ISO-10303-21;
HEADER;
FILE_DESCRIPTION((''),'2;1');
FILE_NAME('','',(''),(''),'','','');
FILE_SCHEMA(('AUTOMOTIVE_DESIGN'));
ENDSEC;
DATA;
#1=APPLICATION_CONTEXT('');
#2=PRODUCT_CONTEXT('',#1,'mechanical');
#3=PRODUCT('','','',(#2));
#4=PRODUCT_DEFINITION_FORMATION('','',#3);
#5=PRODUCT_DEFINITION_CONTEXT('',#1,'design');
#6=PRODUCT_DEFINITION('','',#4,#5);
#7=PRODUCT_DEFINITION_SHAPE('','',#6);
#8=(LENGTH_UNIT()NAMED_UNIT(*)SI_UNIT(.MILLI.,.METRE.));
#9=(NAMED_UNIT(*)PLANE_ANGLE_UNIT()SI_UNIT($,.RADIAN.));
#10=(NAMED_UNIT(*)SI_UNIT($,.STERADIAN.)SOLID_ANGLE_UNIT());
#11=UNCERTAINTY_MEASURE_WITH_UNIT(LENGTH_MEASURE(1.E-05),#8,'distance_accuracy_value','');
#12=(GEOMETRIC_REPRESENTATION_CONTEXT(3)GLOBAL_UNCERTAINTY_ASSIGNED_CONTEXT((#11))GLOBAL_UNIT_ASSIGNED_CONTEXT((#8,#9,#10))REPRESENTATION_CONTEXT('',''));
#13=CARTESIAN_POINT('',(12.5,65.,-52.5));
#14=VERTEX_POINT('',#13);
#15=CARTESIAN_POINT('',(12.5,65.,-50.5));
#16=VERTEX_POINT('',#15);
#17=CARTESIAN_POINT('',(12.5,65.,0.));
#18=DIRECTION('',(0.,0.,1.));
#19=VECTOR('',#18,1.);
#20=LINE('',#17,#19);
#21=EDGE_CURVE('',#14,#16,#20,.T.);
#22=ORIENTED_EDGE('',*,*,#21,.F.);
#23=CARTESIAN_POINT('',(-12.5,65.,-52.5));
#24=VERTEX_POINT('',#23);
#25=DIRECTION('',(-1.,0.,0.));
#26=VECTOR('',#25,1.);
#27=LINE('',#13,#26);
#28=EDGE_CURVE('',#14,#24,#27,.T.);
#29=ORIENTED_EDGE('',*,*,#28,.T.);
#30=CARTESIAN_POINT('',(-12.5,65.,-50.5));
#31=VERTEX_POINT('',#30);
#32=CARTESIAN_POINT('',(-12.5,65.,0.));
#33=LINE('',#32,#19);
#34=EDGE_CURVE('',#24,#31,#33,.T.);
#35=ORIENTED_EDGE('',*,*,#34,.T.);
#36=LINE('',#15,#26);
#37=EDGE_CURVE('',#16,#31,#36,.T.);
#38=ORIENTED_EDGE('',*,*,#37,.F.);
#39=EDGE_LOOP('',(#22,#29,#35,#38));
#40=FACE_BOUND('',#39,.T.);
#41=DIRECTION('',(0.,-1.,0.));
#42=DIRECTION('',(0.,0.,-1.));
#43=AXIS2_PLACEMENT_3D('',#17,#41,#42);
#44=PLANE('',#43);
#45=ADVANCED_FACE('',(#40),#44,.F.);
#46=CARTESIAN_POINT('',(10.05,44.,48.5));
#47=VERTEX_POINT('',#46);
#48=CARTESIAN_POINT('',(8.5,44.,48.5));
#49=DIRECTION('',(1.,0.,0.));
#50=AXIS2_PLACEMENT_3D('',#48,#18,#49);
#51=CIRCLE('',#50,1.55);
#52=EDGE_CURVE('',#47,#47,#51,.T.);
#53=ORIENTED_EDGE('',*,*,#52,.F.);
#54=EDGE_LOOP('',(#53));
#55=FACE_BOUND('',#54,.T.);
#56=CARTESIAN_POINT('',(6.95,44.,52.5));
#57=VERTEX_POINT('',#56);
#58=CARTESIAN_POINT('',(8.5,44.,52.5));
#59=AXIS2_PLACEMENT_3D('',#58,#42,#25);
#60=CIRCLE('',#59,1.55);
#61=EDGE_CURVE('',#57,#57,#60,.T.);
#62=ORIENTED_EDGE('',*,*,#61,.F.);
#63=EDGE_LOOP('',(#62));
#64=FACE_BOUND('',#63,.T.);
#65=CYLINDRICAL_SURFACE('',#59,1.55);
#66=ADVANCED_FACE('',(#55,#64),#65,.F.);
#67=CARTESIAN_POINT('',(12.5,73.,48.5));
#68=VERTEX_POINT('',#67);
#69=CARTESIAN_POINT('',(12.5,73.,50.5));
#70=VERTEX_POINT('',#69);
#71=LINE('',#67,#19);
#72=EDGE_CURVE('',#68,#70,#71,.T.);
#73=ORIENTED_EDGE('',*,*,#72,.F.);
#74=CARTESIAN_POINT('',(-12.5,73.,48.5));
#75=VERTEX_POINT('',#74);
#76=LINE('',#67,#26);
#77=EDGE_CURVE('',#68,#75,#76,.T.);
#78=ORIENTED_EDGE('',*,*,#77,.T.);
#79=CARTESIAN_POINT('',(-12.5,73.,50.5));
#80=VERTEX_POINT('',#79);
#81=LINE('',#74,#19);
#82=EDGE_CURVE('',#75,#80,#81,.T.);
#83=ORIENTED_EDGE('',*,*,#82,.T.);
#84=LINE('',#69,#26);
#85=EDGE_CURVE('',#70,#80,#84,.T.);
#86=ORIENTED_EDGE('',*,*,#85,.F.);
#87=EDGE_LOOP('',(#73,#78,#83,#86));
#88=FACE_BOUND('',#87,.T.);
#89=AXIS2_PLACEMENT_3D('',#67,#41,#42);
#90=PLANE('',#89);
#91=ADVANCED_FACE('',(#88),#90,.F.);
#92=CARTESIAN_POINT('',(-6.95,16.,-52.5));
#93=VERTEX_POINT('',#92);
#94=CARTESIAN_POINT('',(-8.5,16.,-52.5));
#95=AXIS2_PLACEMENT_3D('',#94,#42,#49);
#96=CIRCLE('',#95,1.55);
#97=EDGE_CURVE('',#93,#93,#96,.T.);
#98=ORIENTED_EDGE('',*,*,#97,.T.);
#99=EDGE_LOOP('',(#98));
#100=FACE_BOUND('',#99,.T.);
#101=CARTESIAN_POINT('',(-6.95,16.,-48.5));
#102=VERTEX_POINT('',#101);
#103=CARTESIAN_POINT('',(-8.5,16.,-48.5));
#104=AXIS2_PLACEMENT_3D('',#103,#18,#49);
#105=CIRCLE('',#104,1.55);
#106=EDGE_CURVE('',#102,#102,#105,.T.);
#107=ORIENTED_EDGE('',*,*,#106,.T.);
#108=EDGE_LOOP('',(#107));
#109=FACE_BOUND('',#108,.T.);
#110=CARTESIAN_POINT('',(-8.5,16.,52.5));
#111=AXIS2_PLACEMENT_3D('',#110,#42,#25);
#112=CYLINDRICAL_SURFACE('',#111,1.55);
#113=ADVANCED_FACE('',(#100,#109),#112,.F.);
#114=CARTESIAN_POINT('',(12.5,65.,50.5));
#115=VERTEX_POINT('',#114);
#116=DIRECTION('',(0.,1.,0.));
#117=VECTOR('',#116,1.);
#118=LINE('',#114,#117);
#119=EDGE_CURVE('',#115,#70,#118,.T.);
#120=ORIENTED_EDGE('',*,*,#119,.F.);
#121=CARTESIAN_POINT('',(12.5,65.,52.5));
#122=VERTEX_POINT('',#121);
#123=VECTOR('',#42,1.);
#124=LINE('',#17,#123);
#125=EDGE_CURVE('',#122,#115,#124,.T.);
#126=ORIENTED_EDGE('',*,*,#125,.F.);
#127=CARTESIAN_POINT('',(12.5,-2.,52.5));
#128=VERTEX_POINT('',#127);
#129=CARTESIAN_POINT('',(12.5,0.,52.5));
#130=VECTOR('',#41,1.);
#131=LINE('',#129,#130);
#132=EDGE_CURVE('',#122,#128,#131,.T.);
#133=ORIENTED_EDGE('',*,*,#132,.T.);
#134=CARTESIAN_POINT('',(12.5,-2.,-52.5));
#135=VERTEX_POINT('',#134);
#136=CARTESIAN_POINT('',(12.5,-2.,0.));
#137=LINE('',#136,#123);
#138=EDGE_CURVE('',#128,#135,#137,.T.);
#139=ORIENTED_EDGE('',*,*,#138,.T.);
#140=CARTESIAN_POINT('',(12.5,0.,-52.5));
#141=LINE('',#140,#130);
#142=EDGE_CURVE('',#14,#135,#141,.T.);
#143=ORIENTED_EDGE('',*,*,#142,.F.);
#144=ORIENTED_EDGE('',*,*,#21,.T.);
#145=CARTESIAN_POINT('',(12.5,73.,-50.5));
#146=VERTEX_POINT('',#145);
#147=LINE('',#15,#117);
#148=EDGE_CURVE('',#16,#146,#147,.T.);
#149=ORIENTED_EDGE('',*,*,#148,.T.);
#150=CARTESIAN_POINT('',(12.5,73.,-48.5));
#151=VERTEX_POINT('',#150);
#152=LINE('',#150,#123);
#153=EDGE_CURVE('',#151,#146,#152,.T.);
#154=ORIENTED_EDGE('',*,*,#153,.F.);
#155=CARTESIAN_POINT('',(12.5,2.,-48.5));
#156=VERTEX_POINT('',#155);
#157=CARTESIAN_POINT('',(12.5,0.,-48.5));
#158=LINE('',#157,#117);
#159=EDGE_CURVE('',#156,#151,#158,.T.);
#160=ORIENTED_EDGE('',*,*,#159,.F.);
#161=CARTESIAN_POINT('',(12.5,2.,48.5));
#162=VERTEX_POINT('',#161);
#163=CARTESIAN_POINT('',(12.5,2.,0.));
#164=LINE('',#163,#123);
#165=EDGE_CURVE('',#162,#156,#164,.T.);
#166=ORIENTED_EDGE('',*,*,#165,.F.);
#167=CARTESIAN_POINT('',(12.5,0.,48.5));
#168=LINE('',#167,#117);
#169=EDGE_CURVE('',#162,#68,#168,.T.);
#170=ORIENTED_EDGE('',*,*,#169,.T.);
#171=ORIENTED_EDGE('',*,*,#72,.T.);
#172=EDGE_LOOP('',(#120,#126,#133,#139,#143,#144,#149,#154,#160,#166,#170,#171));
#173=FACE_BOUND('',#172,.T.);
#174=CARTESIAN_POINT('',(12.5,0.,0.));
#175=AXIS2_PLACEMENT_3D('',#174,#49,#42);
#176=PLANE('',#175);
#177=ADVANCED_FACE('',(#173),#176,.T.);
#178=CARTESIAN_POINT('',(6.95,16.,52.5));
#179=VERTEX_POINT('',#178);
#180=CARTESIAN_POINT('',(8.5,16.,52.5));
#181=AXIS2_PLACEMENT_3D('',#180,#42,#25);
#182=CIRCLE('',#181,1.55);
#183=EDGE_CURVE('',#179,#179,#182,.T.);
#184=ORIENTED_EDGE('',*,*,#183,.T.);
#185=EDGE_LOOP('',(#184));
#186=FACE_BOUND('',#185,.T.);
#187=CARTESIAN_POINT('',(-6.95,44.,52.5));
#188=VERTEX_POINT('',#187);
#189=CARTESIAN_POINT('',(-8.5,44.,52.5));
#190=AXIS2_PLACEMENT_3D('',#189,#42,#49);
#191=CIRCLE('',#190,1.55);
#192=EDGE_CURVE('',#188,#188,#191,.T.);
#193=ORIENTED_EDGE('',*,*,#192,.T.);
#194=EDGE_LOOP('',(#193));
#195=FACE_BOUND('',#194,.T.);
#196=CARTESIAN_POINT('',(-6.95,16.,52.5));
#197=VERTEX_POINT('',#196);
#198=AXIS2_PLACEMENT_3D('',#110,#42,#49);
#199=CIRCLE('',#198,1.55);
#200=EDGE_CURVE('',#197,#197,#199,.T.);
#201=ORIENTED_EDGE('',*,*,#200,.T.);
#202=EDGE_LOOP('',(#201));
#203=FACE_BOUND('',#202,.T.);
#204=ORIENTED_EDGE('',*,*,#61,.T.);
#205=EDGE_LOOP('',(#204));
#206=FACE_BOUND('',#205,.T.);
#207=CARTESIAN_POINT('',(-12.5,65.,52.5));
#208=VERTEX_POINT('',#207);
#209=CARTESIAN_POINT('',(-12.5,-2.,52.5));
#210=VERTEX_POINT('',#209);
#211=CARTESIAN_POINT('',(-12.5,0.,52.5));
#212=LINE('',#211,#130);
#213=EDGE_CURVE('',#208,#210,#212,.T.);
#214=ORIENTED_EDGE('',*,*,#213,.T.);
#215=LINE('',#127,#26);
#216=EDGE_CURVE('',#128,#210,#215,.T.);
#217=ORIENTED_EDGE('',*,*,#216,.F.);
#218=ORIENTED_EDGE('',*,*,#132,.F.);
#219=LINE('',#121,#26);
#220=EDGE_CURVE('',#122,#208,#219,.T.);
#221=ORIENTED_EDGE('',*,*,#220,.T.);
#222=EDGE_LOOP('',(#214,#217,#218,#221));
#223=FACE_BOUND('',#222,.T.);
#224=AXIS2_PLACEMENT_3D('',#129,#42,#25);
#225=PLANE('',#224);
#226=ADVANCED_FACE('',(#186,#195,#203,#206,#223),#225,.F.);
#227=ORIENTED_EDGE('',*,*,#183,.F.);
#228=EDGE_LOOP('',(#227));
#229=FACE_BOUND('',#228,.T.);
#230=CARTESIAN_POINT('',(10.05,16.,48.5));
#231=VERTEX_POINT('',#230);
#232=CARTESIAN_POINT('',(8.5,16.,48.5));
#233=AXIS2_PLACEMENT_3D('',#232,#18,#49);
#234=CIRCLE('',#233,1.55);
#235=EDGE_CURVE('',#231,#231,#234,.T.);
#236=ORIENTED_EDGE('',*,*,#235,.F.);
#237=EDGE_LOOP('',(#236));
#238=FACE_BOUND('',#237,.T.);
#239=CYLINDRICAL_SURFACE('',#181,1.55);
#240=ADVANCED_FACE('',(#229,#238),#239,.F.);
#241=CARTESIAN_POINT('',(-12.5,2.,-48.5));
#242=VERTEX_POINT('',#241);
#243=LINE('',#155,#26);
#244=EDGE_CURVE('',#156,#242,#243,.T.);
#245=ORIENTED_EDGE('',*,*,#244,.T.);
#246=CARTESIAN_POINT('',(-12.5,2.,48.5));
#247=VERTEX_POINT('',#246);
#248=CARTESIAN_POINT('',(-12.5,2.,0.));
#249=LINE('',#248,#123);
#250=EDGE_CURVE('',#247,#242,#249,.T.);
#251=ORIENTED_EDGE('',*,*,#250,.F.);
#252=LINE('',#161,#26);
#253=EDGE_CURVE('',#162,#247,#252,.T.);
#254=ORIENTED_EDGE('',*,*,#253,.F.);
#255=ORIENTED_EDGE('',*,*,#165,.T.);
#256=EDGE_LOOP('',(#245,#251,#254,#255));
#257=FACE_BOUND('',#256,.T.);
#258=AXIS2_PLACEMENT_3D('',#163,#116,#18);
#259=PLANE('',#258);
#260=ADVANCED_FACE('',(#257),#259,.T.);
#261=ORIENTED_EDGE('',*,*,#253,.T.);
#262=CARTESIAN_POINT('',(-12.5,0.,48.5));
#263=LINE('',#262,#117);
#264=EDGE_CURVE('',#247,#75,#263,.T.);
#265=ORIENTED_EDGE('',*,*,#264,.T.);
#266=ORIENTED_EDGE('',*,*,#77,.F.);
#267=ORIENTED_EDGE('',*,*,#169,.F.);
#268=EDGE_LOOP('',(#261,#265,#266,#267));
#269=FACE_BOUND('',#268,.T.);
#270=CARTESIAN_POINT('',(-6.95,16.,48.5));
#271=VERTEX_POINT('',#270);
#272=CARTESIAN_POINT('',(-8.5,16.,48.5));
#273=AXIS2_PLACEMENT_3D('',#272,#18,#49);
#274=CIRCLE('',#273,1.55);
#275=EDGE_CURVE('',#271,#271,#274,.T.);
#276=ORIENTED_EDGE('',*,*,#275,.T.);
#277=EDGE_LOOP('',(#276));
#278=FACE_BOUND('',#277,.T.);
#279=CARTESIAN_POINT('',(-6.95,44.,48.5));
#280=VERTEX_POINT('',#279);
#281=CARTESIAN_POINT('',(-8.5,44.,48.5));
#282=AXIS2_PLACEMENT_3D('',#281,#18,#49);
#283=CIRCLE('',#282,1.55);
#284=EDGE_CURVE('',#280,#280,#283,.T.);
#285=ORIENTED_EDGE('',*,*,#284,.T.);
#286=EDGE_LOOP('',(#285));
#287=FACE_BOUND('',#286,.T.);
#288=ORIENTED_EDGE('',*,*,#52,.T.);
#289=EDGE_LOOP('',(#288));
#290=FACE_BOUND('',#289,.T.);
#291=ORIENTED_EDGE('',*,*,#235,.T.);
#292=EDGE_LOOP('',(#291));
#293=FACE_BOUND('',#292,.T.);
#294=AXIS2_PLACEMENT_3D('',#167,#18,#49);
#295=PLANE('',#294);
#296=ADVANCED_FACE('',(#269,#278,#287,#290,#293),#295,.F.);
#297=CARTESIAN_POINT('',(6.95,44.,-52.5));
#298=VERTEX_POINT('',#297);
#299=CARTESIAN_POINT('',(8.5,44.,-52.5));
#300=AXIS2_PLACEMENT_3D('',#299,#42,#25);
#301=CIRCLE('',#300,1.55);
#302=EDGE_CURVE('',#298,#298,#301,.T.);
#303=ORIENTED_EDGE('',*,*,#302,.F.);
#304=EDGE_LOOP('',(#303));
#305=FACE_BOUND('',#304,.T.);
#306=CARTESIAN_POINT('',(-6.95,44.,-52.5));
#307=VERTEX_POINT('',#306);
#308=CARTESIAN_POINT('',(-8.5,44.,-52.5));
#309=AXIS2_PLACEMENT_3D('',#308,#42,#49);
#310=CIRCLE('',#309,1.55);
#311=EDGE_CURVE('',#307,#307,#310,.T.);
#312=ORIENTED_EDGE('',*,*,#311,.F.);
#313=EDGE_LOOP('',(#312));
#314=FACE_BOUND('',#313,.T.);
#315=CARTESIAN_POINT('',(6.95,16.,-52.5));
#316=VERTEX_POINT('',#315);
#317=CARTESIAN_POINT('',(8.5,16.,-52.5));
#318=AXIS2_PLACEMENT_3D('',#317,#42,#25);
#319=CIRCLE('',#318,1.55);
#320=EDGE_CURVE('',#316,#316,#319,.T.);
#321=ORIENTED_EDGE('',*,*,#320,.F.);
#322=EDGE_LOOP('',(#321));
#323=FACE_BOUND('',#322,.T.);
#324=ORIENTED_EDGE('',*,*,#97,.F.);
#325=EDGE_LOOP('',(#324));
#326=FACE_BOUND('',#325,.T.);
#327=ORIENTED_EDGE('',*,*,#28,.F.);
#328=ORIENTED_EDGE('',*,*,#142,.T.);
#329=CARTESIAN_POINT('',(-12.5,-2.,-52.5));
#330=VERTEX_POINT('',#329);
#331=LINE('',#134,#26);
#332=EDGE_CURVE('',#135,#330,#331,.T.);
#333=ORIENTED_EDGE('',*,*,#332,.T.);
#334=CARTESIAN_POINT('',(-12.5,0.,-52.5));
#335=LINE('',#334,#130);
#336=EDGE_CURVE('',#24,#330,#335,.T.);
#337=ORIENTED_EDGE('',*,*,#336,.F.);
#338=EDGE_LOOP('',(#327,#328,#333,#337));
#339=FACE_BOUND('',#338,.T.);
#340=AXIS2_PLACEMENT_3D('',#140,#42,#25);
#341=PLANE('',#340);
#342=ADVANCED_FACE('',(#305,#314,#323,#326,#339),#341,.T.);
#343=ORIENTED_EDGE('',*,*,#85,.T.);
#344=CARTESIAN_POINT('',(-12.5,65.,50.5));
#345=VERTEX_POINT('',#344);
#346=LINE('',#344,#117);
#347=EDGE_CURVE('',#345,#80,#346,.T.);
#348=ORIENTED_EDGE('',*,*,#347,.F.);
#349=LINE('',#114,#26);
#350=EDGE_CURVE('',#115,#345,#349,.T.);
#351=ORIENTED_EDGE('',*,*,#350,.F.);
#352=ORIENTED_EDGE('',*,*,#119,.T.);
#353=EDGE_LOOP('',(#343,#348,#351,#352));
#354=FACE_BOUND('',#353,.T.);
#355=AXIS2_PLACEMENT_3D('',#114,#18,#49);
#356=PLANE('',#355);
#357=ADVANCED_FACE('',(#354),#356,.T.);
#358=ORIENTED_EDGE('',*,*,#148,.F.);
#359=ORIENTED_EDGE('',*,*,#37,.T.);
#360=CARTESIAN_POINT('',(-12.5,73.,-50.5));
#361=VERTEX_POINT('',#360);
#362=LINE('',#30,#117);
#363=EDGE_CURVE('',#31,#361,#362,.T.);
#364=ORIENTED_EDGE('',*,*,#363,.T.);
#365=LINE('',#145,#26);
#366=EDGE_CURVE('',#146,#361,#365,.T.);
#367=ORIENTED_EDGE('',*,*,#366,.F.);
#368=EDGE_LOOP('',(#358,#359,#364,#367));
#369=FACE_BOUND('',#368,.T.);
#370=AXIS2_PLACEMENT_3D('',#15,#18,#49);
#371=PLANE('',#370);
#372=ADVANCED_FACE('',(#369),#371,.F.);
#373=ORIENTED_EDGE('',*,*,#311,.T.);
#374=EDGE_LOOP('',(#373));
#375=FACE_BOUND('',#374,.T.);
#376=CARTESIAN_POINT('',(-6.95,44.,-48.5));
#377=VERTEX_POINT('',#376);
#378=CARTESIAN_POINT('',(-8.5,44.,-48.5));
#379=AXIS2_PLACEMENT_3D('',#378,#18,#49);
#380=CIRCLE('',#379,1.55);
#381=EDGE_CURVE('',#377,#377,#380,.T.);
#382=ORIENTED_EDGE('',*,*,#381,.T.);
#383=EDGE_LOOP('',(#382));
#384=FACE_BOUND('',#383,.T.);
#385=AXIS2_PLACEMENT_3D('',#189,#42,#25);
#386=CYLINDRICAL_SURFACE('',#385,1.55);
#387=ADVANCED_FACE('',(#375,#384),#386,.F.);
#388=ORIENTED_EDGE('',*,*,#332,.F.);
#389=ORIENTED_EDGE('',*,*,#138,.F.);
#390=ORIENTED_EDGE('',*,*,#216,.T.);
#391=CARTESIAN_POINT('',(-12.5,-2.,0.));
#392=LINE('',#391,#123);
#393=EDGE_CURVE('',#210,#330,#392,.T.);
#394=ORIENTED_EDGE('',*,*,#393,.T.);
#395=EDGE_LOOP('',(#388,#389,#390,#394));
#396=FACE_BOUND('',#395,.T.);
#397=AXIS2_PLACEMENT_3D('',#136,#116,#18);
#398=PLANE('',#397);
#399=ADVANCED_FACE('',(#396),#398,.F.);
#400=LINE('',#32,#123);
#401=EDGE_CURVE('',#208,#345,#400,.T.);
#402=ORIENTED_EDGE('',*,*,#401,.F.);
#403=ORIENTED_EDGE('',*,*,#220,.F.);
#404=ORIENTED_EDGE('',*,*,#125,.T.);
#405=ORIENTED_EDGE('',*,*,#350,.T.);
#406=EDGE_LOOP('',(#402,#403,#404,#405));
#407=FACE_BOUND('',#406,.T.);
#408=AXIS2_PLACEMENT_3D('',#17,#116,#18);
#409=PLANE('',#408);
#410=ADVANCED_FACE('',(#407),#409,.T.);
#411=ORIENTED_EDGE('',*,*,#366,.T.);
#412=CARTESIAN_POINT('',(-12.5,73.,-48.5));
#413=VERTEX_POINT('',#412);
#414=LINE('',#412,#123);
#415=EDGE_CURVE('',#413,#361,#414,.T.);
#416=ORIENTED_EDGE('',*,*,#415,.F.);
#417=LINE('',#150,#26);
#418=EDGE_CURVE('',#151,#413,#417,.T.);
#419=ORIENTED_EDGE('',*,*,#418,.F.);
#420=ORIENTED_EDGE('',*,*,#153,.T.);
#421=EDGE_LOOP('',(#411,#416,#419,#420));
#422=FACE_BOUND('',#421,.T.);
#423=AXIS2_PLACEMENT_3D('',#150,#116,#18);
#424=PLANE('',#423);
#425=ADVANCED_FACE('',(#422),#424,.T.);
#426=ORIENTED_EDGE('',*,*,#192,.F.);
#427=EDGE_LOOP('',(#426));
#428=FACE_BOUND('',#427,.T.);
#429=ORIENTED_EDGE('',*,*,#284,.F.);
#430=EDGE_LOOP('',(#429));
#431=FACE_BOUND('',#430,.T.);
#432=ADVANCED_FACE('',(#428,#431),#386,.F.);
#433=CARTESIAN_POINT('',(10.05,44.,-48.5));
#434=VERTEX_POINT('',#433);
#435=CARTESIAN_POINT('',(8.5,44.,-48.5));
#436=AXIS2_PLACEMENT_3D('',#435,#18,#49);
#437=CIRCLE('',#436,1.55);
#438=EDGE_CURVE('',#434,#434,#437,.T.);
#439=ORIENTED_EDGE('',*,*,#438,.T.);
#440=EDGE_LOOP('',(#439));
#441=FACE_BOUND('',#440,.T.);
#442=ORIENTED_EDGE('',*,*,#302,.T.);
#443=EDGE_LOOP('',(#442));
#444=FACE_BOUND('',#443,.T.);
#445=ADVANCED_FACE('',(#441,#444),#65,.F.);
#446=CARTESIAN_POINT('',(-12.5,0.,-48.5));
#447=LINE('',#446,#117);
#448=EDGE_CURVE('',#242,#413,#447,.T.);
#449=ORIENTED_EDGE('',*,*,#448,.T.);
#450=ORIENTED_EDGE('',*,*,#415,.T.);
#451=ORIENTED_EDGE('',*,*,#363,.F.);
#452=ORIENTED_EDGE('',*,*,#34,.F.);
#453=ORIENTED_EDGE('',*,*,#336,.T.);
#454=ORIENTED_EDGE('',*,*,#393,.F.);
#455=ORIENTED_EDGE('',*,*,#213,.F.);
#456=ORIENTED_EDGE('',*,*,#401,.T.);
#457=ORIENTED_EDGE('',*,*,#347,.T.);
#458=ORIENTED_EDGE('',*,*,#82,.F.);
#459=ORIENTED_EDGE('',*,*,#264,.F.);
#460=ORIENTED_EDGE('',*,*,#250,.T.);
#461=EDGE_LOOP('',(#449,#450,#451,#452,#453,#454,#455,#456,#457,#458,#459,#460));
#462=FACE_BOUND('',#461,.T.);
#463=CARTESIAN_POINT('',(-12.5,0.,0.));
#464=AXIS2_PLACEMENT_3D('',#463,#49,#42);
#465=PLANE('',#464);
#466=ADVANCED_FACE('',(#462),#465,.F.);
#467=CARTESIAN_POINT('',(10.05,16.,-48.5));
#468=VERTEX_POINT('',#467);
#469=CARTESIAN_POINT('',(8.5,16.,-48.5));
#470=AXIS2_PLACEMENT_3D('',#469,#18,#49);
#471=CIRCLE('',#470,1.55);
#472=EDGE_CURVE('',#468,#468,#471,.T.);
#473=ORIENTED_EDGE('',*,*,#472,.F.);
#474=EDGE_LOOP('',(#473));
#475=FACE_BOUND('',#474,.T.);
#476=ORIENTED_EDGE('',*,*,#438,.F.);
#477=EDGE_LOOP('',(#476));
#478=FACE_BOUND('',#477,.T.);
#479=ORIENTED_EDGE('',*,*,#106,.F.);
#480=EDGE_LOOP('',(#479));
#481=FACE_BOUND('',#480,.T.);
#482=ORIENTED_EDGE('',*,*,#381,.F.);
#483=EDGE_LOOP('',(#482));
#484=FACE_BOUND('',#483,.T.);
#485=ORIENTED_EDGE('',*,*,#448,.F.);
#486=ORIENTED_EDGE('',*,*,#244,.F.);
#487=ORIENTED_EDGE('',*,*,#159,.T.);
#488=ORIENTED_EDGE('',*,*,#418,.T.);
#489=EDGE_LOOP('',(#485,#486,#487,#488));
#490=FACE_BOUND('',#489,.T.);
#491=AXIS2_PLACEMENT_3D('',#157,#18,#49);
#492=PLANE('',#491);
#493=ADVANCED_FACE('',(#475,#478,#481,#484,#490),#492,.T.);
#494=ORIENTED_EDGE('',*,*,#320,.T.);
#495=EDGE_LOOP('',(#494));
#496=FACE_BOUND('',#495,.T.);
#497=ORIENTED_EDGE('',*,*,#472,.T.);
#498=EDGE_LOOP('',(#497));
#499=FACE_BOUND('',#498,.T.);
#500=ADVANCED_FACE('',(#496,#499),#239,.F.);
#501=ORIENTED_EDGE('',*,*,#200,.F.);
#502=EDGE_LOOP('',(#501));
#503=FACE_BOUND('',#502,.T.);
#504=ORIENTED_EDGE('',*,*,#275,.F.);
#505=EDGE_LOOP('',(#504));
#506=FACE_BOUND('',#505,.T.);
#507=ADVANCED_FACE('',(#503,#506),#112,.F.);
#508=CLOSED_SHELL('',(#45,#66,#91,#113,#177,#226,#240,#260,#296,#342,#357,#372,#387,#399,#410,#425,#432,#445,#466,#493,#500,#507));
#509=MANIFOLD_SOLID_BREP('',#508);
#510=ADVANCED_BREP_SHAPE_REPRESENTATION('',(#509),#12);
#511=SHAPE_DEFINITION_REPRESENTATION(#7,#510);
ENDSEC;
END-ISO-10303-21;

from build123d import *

# Parameters (mm, degrees)
SKETCH1_W               = 105
SKETCH1_H               = 4
SKETCH1_W_2             = 2
SKETCH1_H_2             = 8
BOSS_EXTRUDE1_DEPTH     = 12.5
SKETCH2_R               = 1.55
CUT_EXTRUDE2_DEPTH      = 102
CUT_EXTRUDE2_DEPTH_BACK = 5


with BuildPart() as part:
    # Sketch1 → Boss-Extrude1 (new body, symmetric)
    with BuildSketch(Plane(origin=(0, 0, 0), x_dir=(0, 0, -1), z_dir=(1, 0, 0))):
        Rectangle(SKETCH1_W, SKETCH1_H)
        Polygon((-52.5, 65), (-52.5, 2), (-48.5, 2), (-48.5, 65), (-50.5, 65), align=None)
        Polygon((48.5, 65), (48.5, 2), (52.5, 2), (52.5, 65), (50.5, 65), align=None)
        with Locations((-49.5, 69)):
            Rectangle(SKETCH1_W_2, SKETCH1_H_2)
        with Locations((49.5, 69)):
            Rectangle(SKETCH1_W_2, SKETCH1_H_2)
    extrude(amount=BOSS_EXTRUDE1_DEPTH, both=True)

    # Sketch2 → Cut-Extrude2 (cut, two sides)
    with BuildSketch(Plane(origin=(0, 0, 48.5), x_dir=(-1, 0, 0), z_dir=(0, 0, -1))) as cut_extrude2_sk:
        with Locations((-8.5, 16)):
            Circle(SKETCH2_R)
        with Locations((-8.5, 44)):
            Circle(SKETCH2_R)
        with Locations((8.5, 16)):
            Circle(SKETCH2_R)
        with Locations((8.5, 44)):
            Circle(SKETCH2_R)
    extrude(amount=CUT_EXTRUDE2_DEPTH, mode=Mode.SUBTRACT)
    extrude(cut_extrude2_sk.sketch, amount=-CUT_EXTRUDE2_DEPTH_BACK, mode=Mode.SUBTRACT)


solid = part.part
